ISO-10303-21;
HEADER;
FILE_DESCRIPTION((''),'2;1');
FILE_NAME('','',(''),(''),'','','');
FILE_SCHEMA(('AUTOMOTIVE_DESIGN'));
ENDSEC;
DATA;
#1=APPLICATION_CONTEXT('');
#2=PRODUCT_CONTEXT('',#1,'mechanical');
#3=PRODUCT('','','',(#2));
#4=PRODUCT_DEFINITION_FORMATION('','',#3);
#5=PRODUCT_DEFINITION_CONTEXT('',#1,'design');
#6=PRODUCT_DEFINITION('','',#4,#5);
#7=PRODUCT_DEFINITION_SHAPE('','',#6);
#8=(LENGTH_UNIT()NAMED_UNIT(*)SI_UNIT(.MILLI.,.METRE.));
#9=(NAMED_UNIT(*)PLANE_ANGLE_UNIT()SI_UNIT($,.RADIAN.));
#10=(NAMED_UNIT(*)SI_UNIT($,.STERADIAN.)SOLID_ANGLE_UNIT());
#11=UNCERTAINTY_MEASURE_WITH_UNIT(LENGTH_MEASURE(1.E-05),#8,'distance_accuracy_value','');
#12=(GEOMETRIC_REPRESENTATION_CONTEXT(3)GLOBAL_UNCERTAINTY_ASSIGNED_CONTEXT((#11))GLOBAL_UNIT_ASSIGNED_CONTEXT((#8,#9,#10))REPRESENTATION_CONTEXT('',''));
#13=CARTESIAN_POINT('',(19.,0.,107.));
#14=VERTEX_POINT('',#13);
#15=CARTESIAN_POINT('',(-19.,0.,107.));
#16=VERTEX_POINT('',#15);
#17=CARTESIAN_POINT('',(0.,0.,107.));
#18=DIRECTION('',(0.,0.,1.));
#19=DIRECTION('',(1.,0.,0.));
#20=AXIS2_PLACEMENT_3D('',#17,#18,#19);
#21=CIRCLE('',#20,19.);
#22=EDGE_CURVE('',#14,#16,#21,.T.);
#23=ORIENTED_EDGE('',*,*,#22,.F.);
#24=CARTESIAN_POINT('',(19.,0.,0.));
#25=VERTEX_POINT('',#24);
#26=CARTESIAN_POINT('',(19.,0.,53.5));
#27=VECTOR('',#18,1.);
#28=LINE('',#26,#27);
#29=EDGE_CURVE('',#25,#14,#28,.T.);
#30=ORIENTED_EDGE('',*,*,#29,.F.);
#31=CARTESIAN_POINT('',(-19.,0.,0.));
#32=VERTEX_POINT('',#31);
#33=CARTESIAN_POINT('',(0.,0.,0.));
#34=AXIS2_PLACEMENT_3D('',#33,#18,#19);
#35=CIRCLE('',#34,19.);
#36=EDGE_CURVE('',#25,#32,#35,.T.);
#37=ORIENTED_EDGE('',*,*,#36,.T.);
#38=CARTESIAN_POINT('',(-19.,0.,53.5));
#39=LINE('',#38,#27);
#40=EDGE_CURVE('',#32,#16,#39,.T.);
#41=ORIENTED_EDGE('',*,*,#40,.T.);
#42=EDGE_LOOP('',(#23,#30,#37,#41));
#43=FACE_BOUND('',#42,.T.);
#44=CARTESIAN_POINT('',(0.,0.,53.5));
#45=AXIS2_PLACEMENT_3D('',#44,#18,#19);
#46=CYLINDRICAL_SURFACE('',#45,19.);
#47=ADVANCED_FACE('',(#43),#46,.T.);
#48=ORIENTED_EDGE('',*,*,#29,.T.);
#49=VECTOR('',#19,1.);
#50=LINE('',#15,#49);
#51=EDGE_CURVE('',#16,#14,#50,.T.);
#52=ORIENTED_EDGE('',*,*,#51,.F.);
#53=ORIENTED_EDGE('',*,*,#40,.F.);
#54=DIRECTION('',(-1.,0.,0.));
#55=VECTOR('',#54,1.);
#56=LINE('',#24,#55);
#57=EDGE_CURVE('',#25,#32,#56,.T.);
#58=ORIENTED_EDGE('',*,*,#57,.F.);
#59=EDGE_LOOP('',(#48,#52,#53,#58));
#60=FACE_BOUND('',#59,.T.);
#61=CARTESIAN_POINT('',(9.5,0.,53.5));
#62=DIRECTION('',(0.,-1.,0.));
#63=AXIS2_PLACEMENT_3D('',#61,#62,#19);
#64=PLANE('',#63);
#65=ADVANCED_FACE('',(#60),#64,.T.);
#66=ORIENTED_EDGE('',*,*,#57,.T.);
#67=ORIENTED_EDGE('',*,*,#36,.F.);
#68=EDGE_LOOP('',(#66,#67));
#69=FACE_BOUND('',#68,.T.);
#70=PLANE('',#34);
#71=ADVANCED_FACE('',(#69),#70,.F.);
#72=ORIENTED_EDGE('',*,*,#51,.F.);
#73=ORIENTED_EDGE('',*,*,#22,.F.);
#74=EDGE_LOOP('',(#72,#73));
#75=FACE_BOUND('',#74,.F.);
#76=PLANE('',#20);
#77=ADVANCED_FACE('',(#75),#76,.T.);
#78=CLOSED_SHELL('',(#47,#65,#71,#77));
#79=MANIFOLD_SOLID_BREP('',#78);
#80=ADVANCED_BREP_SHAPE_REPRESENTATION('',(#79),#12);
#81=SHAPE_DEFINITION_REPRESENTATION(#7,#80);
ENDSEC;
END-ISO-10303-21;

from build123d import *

# Parameters (mm, degrees)
CYLINDER_W     = 19
CYLINDER_H     = 107
CYLINDER_ANGLE = 180


with BuildPart() as part:
    # Cylinder → Cylinder (revolve)
    with BuildSketch(Plane.XZ):
        with Locations((9.5, 53.5)):
            Rectangle(CYLINDER_W, CYLINDER_H)
    revolve(axis=Axis((0, 0, 0), (0, 0, 1)), revolution_arc=CYLINDER_ANGLE)


solid = part.part
